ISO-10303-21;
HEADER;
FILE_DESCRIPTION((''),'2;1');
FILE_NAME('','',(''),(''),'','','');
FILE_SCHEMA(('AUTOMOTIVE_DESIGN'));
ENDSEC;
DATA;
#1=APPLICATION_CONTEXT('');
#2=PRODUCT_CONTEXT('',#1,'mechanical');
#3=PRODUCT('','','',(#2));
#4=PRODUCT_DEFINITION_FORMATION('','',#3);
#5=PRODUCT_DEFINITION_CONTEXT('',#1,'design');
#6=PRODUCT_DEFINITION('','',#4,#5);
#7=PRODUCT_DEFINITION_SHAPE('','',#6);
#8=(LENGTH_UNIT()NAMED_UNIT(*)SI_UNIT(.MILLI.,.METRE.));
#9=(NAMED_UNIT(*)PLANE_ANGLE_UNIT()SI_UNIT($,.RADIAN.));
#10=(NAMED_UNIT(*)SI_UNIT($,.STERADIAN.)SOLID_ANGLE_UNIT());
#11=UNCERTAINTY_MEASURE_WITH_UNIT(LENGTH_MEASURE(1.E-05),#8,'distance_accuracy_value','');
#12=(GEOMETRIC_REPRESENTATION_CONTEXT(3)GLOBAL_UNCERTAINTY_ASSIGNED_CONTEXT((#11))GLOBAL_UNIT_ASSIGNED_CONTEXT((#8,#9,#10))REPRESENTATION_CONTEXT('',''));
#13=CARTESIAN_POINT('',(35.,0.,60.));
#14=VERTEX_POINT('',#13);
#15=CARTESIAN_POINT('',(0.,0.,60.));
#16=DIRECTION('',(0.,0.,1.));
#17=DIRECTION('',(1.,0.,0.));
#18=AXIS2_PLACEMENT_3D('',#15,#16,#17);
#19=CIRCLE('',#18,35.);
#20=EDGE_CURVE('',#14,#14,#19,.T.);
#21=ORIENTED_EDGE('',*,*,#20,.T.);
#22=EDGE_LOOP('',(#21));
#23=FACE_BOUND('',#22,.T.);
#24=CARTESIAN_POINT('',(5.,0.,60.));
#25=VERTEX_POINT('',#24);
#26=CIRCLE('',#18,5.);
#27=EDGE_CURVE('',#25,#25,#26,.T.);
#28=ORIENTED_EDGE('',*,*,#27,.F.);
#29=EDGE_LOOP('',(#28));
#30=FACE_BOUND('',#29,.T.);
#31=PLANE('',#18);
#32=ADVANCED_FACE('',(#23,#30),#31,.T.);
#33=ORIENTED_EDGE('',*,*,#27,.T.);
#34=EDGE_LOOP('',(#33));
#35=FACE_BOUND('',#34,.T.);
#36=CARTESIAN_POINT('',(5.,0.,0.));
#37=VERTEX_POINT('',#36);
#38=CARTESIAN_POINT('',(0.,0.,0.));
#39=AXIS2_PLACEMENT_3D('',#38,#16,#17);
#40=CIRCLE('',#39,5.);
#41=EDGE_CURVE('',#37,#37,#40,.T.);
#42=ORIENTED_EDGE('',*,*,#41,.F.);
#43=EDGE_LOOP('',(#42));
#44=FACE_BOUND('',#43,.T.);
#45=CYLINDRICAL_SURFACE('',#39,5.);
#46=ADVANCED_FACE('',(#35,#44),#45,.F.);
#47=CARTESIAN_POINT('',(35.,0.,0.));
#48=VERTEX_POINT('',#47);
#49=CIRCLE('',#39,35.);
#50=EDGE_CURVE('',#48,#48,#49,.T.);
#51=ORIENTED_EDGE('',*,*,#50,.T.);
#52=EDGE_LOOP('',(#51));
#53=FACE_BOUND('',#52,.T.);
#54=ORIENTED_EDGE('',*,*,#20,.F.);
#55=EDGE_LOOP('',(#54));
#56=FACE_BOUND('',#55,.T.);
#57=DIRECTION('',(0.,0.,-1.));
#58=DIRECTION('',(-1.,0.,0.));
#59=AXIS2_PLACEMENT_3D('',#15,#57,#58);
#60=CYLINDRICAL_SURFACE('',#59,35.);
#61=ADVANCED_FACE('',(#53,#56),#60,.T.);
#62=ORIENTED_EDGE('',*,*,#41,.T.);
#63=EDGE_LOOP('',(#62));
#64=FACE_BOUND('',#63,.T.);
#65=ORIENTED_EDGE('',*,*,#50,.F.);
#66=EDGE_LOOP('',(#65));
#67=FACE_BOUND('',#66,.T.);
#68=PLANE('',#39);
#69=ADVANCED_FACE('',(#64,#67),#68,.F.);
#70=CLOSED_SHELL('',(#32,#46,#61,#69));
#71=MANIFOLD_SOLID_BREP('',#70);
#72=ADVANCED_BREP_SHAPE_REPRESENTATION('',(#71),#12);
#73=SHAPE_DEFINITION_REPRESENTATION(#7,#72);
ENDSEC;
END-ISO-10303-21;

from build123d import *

# Parameters (mm, degrees)
ESQUISSE1_R             = 35
BOSS_EXTRU_1_DEPTH      = 60
ESQUISSE2_R             = 5
ENL_V_MAT_EXTRU_1_DEPTH = 60


with BuildPart() as part:
    # Esquisse1 → Boss.-Extru.1 (new body)
    with BuildSketch(Plane.XY):
        Circle(ESQUISSE1_R)
    extrude(amount=BOSS_EXTRU_1_DEPTH)

    # Esquisse2 → Enlèv. mat.-Extru.1 (cut)
    with BuildSketch(Plane.XY.offset(60)):
        Circle(ESQUISSE2_R)
    extrude(amount=-ENL_V_MAT_EXTRU_1_DEPTH, mode=Mode.SUBTRACT)


solid = part.part
